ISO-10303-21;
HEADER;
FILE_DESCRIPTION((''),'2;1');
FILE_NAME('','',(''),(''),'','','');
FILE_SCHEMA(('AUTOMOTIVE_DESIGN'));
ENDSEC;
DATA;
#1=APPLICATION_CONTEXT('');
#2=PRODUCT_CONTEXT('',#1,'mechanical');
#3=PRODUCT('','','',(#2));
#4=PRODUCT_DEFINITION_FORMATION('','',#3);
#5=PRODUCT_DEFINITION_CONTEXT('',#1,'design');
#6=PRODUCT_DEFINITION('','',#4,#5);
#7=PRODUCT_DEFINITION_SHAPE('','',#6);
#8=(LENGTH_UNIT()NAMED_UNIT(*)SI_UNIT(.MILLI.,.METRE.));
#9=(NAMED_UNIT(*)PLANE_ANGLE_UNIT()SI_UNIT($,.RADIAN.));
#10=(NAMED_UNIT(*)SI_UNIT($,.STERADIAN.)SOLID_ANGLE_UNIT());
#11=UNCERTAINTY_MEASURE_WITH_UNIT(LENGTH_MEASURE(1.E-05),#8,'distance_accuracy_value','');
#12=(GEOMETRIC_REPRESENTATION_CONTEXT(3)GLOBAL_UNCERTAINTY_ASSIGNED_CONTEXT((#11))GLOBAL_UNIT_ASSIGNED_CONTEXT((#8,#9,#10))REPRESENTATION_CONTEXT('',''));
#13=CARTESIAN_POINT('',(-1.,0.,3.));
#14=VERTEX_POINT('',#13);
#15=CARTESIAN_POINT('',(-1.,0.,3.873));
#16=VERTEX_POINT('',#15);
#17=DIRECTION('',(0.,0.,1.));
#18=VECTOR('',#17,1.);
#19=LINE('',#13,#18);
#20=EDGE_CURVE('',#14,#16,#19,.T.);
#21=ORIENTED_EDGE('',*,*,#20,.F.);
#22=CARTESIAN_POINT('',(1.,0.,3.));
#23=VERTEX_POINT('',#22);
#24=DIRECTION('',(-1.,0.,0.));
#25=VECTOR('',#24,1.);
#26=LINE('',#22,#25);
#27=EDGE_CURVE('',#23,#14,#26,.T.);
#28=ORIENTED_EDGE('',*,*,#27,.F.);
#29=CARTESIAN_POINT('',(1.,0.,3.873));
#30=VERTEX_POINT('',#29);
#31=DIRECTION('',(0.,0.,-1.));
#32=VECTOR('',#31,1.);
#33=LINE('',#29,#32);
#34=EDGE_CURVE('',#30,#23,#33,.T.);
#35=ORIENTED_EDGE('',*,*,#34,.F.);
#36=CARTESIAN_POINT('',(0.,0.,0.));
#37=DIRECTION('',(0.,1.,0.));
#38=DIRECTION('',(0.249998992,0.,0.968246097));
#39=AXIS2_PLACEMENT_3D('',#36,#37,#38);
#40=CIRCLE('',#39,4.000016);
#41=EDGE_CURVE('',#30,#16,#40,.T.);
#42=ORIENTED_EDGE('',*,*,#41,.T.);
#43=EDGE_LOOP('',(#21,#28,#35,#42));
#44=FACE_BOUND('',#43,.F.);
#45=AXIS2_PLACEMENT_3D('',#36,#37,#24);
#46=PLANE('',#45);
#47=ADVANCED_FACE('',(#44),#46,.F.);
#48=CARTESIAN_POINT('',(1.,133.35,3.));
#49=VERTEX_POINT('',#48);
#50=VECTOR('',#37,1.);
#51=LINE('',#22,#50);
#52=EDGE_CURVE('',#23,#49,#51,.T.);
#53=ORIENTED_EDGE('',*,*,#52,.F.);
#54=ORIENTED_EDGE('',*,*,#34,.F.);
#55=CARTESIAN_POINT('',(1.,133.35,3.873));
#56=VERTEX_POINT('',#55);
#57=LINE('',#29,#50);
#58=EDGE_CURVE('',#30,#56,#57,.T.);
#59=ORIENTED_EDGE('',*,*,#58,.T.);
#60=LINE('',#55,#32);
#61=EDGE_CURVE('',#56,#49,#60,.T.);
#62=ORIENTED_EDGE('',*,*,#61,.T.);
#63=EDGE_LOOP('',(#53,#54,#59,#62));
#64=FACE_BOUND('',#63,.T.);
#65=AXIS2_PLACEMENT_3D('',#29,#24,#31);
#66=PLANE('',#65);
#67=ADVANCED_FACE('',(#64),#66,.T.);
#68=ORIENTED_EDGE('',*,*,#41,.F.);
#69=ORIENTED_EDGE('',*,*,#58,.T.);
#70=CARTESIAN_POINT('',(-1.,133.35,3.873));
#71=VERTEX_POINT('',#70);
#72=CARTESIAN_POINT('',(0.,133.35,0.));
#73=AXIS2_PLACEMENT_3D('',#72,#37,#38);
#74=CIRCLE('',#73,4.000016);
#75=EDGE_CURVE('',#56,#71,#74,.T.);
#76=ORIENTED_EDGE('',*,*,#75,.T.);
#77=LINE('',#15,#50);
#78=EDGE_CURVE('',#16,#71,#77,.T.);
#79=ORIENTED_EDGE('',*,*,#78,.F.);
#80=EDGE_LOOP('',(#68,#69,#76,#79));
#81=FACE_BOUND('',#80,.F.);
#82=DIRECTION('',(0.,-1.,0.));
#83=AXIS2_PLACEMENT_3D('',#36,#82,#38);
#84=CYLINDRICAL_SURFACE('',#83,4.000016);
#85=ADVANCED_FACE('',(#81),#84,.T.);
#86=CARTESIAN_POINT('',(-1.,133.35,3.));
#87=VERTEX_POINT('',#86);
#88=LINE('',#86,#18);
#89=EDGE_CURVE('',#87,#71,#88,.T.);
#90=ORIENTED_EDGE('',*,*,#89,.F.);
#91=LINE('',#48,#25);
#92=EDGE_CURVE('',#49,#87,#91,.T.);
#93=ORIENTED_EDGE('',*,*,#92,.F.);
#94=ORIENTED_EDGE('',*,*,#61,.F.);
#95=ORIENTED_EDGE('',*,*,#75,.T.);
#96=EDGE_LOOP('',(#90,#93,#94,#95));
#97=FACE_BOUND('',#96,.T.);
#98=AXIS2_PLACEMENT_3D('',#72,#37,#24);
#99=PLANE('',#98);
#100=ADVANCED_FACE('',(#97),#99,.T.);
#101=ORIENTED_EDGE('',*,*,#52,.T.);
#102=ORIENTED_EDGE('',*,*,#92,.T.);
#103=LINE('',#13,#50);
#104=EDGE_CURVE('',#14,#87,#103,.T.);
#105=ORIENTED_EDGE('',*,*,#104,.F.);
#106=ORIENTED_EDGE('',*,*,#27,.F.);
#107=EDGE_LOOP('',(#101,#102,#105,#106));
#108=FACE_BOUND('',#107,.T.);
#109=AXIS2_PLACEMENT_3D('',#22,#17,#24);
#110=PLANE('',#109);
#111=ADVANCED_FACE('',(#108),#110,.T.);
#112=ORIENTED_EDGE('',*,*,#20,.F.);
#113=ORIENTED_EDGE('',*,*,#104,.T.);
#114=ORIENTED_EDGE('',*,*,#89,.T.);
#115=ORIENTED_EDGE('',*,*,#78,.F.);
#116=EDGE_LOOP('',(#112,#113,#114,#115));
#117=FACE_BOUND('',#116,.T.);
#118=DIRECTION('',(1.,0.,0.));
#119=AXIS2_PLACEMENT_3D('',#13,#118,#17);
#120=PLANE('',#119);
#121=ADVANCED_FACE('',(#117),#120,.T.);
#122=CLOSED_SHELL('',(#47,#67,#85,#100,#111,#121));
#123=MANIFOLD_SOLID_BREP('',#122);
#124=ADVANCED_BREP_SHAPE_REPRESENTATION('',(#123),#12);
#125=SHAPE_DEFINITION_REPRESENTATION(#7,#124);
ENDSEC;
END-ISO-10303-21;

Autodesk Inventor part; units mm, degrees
ref_plane "YZ Plane" through (0, 0, 0) normal (1, 0, 0) x (0, 1, 0)
ref_plane "XZ Plane" through (0, 0, 0) normal (0, 1, 0) x (-1, 0, 0)
ref_plane "XY Plane" through (0, 0, 0) normal (0, 0, 1) x (1, 0, 0)
sketch "Sketch1" plane through (0, 0, 0) normal (0, 1, 0) x (-1, 0, 0)
  arc A0 (-1, 3.873) -> (1, 3.873) centre (0, 0) ccw
  line L0 (-1, 3.873) -> (-1, 3)
  line L1 (-1, 3) -> (1, 3)
  line L2 (1, 3) -> (1, 3.873)
  dimension "d0" = 8
  dimension "d1" = 2
  dimension "d2" = 1
  dimension "d3" = 1
extrude "Extrusion1" add sketch "Sketch1" along normal blind 133.35
properties part number "8mm shaft" material "Steel"
